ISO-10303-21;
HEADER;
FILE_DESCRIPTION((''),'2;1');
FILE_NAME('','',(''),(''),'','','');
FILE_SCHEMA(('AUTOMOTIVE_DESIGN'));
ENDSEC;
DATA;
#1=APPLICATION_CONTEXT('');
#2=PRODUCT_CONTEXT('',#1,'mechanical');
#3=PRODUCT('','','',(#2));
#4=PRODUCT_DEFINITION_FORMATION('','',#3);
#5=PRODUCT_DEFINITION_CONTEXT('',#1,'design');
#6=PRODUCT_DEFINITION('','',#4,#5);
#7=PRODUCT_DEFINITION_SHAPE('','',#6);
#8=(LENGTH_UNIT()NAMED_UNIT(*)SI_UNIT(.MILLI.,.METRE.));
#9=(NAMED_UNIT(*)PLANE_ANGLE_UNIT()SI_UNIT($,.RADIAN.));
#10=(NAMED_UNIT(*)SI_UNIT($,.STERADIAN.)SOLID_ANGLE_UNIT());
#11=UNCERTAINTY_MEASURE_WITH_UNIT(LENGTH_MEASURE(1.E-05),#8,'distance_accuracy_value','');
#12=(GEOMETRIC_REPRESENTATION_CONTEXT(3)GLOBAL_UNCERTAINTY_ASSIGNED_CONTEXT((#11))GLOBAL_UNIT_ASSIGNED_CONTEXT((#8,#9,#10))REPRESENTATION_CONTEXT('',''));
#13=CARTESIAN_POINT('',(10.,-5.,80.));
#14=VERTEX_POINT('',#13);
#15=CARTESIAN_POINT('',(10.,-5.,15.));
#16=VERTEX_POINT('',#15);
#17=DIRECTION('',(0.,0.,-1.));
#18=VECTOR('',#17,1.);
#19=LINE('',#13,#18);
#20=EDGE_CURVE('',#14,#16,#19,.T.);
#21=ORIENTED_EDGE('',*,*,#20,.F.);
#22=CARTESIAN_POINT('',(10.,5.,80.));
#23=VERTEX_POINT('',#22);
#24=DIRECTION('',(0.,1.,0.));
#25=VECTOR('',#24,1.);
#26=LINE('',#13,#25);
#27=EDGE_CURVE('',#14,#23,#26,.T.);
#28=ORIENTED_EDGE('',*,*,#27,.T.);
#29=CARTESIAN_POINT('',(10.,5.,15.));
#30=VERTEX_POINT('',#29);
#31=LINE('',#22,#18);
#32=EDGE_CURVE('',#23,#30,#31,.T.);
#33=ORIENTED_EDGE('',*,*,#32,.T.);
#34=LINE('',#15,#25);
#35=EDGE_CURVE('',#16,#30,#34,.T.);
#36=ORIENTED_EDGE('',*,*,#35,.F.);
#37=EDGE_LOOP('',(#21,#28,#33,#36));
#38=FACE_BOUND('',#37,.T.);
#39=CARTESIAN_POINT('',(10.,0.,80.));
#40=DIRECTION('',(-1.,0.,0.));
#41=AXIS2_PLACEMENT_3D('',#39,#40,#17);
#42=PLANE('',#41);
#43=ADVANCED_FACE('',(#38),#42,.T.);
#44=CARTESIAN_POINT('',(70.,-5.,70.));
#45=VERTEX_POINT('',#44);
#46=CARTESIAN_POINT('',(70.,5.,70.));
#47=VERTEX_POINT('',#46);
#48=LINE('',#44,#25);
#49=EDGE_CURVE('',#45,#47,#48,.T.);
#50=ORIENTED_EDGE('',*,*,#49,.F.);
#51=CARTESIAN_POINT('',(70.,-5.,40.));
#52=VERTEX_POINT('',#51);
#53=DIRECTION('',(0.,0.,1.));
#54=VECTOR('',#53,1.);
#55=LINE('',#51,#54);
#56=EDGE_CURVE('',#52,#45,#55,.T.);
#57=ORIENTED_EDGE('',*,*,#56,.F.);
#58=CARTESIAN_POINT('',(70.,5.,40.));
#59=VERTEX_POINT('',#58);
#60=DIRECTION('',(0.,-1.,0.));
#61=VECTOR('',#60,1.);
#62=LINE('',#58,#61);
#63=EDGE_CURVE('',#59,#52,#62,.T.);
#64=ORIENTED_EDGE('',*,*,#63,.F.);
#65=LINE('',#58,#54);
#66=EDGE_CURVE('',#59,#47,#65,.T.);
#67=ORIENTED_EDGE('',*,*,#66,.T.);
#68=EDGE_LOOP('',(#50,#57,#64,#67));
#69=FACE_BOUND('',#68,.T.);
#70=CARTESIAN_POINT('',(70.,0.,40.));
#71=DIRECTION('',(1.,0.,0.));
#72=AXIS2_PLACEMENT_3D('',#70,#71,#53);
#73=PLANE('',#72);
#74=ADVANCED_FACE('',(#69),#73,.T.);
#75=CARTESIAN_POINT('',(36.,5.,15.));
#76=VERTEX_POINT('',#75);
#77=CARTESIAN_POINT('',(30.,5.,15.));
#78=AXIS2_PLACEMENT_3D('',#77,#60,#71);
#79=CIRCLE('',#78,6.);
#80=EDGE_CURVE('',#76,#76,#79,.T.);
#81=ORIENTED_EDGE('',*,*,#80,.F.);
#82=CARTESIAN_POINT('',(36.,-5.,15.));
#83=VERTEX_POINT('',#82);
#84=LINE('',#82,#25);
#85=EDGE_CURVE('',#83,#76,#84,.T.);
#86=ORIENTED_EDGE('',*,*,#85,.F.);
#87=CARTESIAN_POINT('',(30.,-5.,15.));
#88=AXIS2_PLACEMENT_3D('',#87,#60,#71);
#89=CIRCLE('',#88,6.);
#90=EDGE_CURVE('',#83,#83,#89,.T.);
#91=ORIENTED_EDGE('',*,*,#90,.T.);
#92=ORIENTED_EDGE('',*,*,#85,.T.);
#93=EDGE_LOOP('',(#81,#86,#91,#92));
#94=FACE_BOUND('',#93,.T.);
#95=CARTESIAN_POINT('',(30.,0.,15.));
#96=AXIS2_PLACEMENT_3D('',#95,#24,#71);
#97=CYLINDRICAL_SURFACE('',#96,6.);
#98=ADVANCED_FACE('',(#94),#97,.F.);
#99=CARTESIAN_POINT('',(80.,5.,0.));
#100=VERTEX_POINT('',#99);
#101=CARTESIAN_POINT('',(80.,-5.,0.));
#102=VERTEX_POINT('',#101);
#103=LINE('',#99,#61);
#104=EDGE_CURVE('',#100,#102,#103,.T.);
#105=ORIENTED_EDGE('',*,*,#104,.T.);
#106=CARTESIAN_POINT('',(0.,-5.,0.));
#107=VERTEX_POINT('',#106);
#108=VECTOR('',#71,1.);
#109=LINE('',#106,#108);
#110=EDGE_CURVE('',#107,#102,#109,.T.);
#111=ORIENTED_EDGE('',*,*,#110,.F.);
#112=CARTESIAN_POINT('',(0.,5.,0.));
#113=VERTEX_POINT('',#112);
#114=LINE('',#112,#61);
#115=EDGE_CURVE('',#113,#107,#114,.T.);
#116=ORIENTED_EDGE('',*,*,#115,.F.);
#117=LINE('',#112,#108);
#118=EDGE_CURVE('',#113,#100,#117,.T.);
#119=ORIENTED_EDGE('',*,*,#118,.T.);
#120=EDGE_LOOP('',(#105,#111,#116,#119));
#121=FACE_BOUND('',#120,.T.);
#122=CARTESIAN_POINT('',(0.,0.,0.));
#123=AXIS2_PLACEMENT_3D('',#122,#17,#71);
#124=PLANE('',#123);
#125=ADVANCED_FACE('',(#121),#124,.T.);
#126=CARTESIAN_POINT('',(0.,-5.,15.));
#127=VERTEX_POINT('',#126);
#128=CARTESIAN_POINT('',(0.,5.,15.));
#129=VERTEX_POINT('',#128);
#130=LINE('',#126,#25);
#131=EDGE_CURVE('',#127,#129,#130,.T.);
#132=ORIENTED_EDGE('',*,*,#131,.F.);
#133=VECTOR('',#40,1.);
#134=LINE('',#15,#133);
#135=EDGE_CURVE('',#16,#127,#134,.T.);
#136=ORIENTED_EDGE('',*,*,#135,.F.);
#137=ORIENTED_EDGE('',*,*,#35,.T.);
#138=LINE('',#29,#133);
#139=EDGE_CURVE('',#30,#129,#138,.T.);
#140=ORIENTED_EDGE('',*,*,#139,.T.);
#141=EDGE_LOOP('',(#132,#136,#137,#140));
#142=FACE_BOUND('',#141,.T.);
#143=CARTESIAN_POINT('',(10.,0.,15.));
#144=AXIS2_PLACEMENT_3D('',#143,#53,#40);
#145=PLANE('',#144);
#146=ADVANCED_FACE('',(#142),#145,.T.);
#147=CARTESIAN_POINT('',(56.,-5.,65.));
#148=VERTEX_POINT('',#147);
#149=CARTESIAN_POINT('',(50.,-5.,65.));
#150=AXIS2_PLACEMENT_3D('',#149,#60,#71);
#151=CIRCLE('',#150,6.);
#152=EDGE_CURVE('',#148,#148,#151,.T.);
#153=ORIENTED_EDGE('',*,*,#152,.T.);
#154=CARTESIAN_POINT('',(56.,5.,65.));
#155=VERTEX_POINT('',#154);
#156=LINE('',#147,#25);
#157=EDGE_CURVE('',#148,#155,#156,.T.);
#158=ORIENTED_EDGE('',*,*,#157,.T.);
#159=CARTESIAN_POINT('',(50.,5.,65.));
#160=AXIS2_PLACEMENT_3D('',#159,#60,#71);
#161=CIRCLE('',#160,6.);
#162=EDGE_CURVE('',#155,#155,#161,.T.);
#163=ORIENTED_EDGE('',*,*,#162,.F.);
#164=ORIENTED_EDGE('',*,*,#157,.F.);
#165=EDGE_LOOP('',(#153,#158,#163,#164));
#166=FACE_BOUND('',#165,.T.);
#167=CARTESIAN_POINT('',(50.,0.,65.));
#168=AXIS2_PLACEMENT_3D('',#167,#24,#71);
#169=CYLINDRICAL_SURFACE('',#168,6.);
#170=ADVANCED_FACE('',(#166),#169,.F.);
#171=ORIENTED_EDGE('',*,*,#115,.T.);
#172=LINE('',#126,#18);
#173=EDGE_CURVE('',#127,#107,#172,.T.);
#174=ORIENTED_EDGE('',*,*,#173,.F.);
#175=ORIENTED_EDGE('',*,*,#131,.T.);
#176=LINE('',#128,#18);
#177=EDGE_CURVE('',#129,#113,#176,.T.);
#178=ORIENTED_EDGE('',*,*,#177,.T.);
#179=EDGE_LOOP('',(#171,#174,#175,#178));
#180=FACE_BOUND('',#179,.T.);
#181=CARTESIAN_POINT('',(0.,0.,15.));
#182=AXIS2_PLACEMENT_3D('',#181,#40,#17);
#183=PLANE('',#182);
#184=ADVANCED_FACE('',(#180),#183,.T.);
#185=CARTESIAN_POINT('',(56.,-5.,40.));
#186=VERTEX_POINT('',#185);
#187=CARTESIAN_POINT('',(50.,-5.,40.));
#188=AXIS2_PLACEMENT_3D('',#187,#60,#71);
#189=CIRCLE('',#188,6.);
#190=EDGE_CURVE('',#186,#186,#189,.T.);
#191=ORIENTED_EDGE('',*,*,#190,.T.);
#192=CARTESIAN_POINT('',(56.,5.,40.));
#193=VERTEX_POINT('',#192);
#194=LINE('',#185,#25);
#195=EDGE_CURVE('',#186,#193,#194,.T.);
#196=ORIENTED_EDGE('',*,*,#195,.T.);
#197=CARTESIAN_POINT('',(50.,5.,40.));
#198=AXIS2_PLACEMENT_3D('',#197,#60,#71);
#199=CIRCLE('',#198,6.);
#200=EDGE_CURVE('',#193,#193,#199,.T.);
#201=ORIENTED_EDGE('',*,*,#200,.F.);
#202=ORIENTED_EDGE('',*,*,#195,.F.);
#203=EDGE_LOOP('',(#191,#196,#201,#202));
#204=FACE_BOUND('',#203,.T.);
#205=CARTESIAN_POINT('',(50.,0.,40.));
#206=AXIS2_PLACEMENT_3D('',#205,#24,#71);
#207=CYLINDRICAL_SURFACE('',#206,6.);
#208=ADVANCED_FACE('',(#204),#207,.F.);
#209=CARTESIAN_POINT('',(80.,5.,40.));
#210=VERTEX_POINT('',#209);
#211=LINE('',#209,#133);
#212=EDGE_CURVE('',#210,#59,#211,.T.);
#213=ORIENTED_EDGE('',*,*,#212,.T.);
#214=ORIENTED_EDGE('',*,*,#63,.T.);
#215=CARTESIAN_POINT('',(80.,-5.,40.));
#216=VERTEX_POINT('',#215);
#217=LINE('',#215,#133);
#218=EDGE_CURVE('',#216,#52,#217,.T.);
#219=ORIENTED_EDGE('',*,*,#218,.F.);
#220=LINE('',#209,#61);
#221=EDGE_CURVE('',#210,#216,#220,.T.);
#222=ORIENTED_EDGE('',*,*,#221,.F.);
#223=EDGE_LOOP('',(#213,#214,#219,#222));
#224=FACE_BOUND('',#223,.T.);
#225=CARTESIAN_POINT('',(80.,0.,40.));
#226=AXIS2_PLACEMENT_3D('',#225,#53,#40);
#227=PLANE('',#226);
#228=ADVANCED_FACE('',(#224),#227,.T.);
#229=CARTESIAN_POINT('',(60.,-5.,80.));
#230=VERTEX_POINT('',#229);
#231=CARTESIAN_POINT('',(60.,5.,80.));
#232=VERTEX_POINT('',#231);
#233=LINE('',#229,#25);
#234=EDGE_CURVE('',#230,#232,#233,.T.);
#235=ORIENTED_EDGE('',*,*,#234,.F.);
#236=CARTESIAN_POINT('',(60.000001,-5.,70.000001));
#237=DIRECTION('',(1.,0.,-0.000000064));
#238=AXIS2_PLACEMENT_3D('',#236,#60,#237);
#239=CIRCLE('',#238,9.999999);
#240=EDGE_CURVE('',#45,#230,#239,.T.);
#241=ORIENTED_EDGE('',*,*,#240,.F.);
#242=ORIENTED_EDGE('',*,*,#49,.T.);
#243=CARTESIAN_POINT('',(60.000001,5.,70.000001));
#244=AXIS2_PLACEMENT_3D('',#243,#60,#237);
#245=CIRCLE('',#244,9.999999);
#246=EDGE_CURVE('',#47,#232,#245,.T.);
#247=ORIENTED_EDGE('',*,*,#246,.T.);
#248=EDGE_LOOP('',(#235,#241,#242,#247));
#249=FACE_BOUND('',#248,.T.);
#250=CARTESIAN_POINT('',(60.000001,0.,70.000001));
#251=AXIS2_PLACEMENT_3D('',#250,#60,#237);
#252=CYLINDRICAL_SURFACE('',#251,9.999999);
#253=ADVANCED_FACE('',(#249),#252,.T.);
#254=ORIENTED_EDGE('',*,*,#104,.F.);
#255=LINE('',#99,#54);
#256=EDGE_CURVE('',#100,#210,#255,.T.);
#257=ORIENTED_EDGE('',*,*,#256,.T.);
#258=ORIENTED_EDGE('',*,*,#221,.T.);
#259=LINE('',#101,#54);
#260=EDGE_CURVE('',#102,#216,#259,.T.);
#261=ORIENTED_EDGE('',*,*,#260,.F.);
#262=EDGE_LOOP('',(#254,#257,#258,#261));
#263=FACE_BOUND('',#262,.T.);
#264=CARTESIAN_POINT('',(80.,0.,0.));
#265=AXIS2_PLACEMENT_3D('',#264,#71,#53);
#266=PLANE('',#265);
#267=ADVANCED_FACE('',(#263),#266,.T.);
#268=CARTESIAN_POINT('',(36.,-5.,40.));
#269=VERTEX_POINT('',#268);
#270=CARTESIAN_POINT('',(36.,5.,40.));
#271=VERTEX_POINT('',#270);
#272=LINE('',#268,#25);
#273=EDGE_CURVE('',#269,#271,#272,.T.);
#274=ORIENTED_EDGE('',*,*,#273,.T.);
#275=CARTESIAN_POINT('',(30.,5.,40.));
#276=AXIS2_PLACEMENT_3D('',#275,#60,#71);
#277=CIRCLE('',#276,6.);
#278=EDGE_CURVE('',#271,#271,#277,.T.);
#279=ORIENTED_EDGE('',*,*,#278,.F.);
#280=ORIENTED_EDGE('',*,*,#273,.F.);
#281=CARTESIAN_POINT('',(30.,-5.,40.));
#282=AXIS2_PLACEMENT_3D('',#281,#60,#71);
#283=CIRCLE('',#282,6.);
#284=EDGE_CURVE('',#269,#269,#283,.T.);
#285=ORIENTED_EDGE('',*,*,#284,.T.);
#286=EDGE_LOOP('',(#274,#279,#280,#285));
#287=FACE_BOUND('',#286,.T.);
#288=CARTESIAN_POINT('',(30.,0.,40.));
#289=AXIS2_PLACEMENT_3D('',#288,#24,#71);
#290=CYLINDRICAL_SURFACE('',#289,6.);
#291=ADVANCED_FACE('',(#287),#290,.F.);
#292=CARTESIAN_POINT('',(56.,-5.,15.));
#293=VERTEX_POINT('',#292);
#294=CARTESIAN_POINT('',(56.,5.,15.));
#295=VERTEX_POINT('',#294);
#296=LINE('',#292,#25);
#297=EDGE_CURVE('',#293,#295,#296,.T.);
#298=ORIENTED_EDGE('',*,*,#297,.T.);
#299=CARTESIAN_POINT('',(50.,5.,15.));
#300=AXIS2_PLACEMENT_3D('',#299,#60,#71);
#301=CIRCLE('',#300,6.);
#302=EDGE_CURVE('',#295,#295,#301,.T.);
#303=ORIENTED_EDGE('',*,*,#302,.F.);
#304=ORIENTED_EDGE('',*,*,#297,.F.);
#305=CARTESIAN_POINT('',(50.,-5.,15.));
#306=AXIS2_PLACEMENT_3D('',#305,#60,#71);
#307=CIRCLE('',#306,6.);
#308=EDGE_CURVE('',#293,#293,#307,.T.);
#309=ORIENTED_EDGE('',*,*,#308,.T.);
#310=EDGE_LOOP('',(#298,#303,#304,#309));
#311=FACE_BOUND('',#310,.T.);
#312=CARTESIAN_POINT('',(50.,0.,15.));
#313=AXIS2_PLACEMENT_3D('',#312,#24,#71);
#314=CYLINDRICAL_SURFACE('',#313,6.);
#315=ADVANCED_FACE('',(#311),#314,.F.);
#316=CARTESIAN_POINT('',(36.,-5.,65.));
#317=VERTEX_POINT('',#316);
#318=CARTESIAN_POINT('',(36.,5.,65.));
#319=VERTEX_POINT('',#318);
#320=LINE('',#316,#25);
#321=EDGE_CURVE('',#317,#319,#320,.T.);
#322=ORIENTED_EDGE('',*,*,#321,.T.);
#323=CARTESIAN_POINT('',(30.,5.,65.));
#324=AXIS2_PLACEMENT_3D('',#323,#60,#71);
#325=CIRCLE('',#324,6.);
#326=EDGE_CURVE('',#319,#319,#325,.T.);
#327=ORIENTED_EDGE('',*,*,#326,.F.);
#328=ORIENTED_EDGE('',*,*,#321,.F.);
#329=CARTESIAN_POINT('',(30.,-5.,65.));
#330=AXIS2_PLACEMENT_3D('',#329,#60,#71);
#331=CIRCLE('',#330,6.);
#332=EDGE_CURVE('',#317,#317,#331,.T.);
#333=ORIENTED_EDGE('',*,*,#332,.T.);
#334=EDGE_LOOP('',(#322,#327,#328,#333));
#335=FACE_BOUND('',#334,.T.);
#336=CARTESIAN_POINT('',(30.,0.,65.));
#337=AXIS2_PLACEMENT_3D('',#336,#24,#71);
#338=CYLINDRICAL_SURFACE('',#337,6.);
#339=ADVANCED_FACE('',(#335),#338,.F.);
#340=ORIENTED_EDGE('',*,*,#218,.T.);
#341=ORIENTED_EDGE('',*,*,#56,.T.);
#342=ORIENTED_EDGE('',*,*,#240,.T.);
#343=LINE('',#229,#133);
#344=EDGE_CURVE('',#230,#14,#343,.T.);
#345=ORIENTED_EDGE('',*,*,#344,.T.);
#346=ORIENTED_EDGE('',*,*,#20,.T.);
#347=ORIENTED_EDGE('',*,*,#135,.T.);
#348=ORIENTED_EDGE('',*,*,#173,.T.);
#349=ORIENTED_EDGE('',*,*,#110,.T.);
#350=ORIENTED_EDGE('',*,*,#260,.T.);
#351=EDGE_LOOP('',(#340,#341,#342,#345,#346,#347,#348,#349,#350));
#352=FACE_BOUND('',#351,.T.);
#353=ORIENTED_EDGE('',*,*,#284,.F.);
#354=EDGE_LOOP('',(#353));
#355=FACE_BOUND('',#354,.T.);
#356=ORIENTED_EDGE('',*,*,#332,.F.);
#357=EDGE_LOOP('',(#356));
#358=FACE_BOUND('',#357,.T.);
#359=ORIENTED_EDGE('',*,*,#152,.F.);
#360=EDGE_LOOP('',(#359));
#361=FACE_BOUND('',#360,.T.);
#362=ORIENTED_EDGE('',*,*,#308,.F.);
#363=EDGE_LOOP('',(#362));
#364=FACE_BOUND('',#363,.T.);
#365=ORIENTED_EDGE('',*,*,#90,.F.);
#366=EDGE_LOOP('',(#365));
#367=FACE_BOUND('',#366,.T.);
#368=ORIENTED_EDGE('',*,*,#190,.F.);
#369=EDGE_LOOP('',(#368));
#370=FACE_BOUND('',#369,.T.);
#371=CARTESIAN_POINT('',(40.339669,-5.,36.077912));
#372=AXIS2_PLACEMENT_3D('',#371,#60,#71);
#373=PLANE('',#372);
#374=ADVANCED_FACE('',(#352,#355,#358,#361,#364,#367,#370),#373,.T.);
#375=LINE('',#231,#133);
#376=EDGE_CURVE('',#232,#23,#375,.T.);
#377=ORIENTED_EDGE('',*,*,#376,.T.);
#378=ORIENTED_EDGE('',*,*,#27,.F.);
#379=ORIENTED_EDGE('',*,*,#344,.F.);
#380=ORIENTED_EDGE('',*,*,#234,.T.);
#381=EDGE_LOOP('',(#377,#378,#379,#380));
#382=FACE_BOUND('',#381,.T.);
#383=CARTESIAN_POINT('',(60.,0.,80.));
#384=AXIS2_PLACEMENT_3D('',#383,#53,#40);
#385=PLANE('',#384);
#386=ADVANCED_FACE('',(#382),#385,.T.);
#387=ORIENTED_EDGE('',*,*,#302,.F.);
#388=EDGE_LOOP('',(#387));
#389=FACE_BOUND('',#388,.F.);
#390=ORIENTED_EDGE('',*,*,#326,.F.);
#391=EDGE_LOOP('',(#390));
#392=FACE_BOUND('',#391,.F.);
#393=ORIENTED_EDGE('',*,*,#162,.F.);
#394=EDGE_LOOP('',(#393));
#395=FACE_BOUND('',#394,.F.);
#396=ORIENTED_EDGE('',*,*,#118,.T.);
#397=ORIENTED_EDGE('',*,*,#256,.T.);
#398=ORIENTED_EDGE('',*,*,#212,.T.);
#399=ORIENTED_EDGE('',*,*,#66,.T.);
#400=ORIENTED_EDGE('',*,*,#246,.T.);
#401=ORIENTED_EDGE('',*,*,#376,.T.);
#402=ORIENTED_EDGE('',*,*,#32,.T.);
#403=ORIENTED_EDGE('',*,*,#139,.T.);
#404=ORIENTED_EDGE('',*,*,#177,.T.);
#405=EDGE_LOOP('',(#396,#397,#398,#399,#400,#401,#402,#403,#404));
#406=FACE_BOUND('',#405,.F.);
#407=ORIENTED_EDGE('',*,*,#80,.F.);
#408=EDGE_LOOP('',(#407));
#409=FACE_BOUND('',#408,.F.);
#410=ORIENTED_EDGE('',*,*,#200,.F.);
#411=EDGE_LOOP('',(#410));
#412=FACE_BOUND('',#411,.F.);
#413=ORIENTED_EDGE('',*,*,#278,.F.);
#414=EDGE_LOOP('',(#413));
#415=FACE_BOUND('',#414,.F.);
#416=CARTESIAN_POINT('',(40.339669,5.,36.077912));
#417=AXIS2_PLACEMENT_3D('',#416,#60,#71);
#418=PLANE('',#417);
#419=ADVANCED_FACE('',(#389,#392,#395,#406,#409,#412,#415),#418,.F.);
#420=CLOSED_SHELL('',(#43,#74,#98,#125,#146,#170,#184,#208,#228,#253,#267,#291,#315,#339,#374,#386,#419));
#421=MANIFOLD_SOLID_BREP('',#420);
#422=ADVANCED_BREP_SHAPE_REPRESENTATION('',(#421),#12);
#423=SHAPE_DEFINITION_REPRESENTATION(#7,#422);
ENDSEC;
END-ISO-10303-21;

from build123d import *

# Parameters (mm, degrees)
F0_R     = 6
F1_DEPTH = 5


with BuildPart() as f1:
    # F0 (on Front) → F1 (new body, symmetric)
    with BuildSketch(Plane.XZ):
        with BuildLine():
            Line((0, 15), (0, 0))
            Line((0, 0), (80, 0))
            Line((80, 0), (80, 40))
            Line((80, 40), (70, 40))
            Line((70, 40), (70, 70))
            ThreePointArc((70, 70), (67.071068, 77.071068), (60, 80))
            Line((60, 80), (10, 80))
            Line((10, 80), (10, 15))
            Line((10, 15), (0, 15))
        make_face()
        with Locations((30, 15)):
            Circle(F0_R, mode=Mode.SUBTRACT)
        with Locations((50, 15)):
            Circle(F0_R, mode=Mode.SUBTRACT)
        with Locations((30, 40)):
            Circle(F0_R, mode=Mode.SUBTRACT)
        with Locations((30, 65)):
            Circle(F0_R, mode=Mode.SUBTRACT)
        with Locations((50, 40)):
            Circle(F0_R, mode=Mode.SUBTRACT)
        with Locations((50, 65)):
            Circle(F0_R, mode=Mode.SUBTRACT)
    extrude(amount=F1_DEPTH, both=True)


solid = f1.part
